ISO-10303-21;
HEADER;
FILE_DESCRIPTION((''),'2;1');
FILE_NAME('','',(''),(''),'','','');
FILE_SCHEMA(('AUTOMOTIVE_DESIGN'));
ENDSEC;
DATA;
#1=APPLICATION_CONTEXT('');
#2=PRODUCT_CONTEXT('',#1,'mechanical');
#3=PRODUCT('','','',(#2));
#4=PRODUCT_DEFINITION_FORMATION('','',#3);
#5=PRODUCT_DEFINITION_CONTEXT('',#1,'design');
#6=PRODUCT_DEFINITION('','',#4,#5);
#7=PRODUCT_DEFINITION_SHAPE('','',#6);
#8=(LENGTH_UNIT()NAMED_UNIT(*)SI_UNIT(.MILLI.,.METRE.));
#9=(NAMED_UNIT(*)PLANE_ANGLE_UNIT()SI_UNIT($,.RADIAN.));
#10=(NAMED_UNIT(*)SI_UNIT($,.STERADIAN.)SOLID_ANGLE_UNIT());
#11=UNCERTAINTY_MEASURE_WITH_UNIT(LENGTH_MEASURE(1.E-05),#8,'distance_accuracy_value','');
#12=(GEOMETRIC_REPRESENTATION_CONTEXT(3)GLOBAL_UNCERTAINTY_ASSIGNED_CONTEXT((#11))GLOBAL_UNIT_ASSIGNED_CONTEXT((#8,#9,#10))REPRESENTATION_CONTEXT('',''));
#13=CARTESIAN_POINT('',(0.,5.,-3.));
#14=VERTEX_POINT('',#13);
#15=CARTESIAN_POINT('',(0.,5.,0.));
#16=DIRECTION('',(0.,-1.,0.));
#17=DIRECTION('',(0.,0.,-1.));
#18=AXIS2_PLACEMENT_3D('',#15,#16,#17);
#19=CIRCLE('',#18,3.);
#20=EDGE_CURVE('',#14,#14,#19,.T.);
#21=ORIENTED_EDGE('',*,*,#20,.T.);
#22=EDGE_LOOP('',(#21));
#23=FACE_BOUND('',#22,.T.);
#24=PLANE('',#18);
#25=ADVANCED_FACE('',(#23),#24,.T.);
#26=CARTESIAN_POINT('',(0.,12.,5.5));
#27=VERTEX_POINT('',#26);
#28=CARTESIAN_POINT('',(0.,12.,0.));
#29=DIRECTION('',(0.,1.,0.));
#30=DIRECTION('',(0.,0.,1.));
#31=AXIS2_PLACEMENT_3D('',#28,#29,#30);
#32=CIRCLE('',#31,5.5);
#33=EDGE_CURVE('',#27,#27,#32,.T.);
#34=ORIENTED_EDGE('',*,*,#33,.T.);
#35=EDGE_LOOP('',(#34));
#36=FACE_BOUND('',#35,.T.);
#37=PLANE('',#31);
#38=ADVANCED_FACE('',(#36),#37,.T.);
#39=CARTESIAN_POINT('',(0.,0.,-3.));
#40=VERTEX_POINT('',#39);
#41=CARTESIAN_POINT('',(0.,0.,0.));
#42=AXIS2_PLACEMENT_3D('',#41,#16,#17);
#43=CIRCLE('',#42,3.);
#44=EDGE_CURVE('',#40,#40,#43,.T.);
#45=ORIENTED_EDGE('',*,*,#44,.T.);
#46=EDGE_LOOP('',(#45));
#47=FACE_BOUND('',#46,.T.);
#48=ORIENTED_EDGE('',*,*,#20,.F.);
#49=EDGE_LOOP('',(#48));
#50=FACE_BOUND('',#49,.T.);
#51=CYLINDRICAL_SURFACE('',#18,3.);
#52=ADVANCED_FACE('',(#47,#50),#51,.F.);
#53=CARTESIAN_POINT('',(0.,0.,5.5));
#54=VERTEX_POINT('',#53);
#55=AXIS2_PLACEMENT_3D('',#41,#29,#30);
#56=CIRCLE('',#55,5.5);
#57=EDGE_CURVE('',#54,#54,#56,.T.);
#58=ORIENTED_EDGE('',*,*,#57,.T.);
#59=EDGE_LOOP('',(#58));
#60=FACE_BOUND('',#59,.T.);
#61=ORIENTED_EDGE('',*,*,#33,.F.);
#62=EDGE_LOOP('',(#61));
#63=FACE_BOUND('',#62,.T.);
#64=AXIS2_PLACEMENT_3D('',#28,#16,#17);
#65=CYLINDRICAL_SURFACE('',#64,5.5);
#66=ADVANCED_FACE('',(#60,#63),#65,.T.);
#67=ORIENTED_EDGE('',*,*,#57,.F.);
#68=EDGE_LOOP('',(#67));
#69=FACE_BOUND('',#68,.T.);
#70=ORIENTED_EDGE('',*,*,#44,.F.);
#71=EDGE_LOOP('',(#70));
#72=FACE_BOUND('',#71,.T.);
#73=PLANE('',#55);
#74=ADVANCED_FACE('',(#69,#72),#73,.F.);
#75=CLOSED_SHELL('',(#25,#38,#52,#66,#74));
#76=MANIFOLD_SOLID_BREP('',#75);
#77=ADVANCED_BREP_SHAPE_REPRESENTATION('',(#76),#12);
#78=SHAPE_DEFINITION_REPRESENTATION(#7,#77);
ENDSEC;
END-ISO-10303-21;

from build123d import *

# Parameters (mm, degrees)
SKETCH1_R           = 5.5
BOSS_EXTRUDE1_DEPTH = 12
SKETCH2_R           = 3
CUT_EXTRUDE1_DEPTH  = 5


with BuildPart() as part:
    # Sketch1 → Boss-Extrude1 (new body)
    with BuildSketch(Plane(origin=(0, 0, 0), x_dir=(1, 0, 0), z_dir=(0, 1, 0))):
        with Locations(Location((0, 0, 0), (0, 0, 270))):
            Circle(SKETCH1_R)
    extrude(amount=BOSS_EXTRUDE1_DEPTH)

    # Sketch2 → Cut-Extrude1 (cut)
    with BuildSketch(Plane.XZ):
        with Locations(Location((0, 0, 0), (0, 0, 270))):
            Circle(SKETCH2_R)
    extrude(amount=-CUT_EXTRUDE1_DEPTH, mode=Mode.SUBTRACT)


solid = part.part
